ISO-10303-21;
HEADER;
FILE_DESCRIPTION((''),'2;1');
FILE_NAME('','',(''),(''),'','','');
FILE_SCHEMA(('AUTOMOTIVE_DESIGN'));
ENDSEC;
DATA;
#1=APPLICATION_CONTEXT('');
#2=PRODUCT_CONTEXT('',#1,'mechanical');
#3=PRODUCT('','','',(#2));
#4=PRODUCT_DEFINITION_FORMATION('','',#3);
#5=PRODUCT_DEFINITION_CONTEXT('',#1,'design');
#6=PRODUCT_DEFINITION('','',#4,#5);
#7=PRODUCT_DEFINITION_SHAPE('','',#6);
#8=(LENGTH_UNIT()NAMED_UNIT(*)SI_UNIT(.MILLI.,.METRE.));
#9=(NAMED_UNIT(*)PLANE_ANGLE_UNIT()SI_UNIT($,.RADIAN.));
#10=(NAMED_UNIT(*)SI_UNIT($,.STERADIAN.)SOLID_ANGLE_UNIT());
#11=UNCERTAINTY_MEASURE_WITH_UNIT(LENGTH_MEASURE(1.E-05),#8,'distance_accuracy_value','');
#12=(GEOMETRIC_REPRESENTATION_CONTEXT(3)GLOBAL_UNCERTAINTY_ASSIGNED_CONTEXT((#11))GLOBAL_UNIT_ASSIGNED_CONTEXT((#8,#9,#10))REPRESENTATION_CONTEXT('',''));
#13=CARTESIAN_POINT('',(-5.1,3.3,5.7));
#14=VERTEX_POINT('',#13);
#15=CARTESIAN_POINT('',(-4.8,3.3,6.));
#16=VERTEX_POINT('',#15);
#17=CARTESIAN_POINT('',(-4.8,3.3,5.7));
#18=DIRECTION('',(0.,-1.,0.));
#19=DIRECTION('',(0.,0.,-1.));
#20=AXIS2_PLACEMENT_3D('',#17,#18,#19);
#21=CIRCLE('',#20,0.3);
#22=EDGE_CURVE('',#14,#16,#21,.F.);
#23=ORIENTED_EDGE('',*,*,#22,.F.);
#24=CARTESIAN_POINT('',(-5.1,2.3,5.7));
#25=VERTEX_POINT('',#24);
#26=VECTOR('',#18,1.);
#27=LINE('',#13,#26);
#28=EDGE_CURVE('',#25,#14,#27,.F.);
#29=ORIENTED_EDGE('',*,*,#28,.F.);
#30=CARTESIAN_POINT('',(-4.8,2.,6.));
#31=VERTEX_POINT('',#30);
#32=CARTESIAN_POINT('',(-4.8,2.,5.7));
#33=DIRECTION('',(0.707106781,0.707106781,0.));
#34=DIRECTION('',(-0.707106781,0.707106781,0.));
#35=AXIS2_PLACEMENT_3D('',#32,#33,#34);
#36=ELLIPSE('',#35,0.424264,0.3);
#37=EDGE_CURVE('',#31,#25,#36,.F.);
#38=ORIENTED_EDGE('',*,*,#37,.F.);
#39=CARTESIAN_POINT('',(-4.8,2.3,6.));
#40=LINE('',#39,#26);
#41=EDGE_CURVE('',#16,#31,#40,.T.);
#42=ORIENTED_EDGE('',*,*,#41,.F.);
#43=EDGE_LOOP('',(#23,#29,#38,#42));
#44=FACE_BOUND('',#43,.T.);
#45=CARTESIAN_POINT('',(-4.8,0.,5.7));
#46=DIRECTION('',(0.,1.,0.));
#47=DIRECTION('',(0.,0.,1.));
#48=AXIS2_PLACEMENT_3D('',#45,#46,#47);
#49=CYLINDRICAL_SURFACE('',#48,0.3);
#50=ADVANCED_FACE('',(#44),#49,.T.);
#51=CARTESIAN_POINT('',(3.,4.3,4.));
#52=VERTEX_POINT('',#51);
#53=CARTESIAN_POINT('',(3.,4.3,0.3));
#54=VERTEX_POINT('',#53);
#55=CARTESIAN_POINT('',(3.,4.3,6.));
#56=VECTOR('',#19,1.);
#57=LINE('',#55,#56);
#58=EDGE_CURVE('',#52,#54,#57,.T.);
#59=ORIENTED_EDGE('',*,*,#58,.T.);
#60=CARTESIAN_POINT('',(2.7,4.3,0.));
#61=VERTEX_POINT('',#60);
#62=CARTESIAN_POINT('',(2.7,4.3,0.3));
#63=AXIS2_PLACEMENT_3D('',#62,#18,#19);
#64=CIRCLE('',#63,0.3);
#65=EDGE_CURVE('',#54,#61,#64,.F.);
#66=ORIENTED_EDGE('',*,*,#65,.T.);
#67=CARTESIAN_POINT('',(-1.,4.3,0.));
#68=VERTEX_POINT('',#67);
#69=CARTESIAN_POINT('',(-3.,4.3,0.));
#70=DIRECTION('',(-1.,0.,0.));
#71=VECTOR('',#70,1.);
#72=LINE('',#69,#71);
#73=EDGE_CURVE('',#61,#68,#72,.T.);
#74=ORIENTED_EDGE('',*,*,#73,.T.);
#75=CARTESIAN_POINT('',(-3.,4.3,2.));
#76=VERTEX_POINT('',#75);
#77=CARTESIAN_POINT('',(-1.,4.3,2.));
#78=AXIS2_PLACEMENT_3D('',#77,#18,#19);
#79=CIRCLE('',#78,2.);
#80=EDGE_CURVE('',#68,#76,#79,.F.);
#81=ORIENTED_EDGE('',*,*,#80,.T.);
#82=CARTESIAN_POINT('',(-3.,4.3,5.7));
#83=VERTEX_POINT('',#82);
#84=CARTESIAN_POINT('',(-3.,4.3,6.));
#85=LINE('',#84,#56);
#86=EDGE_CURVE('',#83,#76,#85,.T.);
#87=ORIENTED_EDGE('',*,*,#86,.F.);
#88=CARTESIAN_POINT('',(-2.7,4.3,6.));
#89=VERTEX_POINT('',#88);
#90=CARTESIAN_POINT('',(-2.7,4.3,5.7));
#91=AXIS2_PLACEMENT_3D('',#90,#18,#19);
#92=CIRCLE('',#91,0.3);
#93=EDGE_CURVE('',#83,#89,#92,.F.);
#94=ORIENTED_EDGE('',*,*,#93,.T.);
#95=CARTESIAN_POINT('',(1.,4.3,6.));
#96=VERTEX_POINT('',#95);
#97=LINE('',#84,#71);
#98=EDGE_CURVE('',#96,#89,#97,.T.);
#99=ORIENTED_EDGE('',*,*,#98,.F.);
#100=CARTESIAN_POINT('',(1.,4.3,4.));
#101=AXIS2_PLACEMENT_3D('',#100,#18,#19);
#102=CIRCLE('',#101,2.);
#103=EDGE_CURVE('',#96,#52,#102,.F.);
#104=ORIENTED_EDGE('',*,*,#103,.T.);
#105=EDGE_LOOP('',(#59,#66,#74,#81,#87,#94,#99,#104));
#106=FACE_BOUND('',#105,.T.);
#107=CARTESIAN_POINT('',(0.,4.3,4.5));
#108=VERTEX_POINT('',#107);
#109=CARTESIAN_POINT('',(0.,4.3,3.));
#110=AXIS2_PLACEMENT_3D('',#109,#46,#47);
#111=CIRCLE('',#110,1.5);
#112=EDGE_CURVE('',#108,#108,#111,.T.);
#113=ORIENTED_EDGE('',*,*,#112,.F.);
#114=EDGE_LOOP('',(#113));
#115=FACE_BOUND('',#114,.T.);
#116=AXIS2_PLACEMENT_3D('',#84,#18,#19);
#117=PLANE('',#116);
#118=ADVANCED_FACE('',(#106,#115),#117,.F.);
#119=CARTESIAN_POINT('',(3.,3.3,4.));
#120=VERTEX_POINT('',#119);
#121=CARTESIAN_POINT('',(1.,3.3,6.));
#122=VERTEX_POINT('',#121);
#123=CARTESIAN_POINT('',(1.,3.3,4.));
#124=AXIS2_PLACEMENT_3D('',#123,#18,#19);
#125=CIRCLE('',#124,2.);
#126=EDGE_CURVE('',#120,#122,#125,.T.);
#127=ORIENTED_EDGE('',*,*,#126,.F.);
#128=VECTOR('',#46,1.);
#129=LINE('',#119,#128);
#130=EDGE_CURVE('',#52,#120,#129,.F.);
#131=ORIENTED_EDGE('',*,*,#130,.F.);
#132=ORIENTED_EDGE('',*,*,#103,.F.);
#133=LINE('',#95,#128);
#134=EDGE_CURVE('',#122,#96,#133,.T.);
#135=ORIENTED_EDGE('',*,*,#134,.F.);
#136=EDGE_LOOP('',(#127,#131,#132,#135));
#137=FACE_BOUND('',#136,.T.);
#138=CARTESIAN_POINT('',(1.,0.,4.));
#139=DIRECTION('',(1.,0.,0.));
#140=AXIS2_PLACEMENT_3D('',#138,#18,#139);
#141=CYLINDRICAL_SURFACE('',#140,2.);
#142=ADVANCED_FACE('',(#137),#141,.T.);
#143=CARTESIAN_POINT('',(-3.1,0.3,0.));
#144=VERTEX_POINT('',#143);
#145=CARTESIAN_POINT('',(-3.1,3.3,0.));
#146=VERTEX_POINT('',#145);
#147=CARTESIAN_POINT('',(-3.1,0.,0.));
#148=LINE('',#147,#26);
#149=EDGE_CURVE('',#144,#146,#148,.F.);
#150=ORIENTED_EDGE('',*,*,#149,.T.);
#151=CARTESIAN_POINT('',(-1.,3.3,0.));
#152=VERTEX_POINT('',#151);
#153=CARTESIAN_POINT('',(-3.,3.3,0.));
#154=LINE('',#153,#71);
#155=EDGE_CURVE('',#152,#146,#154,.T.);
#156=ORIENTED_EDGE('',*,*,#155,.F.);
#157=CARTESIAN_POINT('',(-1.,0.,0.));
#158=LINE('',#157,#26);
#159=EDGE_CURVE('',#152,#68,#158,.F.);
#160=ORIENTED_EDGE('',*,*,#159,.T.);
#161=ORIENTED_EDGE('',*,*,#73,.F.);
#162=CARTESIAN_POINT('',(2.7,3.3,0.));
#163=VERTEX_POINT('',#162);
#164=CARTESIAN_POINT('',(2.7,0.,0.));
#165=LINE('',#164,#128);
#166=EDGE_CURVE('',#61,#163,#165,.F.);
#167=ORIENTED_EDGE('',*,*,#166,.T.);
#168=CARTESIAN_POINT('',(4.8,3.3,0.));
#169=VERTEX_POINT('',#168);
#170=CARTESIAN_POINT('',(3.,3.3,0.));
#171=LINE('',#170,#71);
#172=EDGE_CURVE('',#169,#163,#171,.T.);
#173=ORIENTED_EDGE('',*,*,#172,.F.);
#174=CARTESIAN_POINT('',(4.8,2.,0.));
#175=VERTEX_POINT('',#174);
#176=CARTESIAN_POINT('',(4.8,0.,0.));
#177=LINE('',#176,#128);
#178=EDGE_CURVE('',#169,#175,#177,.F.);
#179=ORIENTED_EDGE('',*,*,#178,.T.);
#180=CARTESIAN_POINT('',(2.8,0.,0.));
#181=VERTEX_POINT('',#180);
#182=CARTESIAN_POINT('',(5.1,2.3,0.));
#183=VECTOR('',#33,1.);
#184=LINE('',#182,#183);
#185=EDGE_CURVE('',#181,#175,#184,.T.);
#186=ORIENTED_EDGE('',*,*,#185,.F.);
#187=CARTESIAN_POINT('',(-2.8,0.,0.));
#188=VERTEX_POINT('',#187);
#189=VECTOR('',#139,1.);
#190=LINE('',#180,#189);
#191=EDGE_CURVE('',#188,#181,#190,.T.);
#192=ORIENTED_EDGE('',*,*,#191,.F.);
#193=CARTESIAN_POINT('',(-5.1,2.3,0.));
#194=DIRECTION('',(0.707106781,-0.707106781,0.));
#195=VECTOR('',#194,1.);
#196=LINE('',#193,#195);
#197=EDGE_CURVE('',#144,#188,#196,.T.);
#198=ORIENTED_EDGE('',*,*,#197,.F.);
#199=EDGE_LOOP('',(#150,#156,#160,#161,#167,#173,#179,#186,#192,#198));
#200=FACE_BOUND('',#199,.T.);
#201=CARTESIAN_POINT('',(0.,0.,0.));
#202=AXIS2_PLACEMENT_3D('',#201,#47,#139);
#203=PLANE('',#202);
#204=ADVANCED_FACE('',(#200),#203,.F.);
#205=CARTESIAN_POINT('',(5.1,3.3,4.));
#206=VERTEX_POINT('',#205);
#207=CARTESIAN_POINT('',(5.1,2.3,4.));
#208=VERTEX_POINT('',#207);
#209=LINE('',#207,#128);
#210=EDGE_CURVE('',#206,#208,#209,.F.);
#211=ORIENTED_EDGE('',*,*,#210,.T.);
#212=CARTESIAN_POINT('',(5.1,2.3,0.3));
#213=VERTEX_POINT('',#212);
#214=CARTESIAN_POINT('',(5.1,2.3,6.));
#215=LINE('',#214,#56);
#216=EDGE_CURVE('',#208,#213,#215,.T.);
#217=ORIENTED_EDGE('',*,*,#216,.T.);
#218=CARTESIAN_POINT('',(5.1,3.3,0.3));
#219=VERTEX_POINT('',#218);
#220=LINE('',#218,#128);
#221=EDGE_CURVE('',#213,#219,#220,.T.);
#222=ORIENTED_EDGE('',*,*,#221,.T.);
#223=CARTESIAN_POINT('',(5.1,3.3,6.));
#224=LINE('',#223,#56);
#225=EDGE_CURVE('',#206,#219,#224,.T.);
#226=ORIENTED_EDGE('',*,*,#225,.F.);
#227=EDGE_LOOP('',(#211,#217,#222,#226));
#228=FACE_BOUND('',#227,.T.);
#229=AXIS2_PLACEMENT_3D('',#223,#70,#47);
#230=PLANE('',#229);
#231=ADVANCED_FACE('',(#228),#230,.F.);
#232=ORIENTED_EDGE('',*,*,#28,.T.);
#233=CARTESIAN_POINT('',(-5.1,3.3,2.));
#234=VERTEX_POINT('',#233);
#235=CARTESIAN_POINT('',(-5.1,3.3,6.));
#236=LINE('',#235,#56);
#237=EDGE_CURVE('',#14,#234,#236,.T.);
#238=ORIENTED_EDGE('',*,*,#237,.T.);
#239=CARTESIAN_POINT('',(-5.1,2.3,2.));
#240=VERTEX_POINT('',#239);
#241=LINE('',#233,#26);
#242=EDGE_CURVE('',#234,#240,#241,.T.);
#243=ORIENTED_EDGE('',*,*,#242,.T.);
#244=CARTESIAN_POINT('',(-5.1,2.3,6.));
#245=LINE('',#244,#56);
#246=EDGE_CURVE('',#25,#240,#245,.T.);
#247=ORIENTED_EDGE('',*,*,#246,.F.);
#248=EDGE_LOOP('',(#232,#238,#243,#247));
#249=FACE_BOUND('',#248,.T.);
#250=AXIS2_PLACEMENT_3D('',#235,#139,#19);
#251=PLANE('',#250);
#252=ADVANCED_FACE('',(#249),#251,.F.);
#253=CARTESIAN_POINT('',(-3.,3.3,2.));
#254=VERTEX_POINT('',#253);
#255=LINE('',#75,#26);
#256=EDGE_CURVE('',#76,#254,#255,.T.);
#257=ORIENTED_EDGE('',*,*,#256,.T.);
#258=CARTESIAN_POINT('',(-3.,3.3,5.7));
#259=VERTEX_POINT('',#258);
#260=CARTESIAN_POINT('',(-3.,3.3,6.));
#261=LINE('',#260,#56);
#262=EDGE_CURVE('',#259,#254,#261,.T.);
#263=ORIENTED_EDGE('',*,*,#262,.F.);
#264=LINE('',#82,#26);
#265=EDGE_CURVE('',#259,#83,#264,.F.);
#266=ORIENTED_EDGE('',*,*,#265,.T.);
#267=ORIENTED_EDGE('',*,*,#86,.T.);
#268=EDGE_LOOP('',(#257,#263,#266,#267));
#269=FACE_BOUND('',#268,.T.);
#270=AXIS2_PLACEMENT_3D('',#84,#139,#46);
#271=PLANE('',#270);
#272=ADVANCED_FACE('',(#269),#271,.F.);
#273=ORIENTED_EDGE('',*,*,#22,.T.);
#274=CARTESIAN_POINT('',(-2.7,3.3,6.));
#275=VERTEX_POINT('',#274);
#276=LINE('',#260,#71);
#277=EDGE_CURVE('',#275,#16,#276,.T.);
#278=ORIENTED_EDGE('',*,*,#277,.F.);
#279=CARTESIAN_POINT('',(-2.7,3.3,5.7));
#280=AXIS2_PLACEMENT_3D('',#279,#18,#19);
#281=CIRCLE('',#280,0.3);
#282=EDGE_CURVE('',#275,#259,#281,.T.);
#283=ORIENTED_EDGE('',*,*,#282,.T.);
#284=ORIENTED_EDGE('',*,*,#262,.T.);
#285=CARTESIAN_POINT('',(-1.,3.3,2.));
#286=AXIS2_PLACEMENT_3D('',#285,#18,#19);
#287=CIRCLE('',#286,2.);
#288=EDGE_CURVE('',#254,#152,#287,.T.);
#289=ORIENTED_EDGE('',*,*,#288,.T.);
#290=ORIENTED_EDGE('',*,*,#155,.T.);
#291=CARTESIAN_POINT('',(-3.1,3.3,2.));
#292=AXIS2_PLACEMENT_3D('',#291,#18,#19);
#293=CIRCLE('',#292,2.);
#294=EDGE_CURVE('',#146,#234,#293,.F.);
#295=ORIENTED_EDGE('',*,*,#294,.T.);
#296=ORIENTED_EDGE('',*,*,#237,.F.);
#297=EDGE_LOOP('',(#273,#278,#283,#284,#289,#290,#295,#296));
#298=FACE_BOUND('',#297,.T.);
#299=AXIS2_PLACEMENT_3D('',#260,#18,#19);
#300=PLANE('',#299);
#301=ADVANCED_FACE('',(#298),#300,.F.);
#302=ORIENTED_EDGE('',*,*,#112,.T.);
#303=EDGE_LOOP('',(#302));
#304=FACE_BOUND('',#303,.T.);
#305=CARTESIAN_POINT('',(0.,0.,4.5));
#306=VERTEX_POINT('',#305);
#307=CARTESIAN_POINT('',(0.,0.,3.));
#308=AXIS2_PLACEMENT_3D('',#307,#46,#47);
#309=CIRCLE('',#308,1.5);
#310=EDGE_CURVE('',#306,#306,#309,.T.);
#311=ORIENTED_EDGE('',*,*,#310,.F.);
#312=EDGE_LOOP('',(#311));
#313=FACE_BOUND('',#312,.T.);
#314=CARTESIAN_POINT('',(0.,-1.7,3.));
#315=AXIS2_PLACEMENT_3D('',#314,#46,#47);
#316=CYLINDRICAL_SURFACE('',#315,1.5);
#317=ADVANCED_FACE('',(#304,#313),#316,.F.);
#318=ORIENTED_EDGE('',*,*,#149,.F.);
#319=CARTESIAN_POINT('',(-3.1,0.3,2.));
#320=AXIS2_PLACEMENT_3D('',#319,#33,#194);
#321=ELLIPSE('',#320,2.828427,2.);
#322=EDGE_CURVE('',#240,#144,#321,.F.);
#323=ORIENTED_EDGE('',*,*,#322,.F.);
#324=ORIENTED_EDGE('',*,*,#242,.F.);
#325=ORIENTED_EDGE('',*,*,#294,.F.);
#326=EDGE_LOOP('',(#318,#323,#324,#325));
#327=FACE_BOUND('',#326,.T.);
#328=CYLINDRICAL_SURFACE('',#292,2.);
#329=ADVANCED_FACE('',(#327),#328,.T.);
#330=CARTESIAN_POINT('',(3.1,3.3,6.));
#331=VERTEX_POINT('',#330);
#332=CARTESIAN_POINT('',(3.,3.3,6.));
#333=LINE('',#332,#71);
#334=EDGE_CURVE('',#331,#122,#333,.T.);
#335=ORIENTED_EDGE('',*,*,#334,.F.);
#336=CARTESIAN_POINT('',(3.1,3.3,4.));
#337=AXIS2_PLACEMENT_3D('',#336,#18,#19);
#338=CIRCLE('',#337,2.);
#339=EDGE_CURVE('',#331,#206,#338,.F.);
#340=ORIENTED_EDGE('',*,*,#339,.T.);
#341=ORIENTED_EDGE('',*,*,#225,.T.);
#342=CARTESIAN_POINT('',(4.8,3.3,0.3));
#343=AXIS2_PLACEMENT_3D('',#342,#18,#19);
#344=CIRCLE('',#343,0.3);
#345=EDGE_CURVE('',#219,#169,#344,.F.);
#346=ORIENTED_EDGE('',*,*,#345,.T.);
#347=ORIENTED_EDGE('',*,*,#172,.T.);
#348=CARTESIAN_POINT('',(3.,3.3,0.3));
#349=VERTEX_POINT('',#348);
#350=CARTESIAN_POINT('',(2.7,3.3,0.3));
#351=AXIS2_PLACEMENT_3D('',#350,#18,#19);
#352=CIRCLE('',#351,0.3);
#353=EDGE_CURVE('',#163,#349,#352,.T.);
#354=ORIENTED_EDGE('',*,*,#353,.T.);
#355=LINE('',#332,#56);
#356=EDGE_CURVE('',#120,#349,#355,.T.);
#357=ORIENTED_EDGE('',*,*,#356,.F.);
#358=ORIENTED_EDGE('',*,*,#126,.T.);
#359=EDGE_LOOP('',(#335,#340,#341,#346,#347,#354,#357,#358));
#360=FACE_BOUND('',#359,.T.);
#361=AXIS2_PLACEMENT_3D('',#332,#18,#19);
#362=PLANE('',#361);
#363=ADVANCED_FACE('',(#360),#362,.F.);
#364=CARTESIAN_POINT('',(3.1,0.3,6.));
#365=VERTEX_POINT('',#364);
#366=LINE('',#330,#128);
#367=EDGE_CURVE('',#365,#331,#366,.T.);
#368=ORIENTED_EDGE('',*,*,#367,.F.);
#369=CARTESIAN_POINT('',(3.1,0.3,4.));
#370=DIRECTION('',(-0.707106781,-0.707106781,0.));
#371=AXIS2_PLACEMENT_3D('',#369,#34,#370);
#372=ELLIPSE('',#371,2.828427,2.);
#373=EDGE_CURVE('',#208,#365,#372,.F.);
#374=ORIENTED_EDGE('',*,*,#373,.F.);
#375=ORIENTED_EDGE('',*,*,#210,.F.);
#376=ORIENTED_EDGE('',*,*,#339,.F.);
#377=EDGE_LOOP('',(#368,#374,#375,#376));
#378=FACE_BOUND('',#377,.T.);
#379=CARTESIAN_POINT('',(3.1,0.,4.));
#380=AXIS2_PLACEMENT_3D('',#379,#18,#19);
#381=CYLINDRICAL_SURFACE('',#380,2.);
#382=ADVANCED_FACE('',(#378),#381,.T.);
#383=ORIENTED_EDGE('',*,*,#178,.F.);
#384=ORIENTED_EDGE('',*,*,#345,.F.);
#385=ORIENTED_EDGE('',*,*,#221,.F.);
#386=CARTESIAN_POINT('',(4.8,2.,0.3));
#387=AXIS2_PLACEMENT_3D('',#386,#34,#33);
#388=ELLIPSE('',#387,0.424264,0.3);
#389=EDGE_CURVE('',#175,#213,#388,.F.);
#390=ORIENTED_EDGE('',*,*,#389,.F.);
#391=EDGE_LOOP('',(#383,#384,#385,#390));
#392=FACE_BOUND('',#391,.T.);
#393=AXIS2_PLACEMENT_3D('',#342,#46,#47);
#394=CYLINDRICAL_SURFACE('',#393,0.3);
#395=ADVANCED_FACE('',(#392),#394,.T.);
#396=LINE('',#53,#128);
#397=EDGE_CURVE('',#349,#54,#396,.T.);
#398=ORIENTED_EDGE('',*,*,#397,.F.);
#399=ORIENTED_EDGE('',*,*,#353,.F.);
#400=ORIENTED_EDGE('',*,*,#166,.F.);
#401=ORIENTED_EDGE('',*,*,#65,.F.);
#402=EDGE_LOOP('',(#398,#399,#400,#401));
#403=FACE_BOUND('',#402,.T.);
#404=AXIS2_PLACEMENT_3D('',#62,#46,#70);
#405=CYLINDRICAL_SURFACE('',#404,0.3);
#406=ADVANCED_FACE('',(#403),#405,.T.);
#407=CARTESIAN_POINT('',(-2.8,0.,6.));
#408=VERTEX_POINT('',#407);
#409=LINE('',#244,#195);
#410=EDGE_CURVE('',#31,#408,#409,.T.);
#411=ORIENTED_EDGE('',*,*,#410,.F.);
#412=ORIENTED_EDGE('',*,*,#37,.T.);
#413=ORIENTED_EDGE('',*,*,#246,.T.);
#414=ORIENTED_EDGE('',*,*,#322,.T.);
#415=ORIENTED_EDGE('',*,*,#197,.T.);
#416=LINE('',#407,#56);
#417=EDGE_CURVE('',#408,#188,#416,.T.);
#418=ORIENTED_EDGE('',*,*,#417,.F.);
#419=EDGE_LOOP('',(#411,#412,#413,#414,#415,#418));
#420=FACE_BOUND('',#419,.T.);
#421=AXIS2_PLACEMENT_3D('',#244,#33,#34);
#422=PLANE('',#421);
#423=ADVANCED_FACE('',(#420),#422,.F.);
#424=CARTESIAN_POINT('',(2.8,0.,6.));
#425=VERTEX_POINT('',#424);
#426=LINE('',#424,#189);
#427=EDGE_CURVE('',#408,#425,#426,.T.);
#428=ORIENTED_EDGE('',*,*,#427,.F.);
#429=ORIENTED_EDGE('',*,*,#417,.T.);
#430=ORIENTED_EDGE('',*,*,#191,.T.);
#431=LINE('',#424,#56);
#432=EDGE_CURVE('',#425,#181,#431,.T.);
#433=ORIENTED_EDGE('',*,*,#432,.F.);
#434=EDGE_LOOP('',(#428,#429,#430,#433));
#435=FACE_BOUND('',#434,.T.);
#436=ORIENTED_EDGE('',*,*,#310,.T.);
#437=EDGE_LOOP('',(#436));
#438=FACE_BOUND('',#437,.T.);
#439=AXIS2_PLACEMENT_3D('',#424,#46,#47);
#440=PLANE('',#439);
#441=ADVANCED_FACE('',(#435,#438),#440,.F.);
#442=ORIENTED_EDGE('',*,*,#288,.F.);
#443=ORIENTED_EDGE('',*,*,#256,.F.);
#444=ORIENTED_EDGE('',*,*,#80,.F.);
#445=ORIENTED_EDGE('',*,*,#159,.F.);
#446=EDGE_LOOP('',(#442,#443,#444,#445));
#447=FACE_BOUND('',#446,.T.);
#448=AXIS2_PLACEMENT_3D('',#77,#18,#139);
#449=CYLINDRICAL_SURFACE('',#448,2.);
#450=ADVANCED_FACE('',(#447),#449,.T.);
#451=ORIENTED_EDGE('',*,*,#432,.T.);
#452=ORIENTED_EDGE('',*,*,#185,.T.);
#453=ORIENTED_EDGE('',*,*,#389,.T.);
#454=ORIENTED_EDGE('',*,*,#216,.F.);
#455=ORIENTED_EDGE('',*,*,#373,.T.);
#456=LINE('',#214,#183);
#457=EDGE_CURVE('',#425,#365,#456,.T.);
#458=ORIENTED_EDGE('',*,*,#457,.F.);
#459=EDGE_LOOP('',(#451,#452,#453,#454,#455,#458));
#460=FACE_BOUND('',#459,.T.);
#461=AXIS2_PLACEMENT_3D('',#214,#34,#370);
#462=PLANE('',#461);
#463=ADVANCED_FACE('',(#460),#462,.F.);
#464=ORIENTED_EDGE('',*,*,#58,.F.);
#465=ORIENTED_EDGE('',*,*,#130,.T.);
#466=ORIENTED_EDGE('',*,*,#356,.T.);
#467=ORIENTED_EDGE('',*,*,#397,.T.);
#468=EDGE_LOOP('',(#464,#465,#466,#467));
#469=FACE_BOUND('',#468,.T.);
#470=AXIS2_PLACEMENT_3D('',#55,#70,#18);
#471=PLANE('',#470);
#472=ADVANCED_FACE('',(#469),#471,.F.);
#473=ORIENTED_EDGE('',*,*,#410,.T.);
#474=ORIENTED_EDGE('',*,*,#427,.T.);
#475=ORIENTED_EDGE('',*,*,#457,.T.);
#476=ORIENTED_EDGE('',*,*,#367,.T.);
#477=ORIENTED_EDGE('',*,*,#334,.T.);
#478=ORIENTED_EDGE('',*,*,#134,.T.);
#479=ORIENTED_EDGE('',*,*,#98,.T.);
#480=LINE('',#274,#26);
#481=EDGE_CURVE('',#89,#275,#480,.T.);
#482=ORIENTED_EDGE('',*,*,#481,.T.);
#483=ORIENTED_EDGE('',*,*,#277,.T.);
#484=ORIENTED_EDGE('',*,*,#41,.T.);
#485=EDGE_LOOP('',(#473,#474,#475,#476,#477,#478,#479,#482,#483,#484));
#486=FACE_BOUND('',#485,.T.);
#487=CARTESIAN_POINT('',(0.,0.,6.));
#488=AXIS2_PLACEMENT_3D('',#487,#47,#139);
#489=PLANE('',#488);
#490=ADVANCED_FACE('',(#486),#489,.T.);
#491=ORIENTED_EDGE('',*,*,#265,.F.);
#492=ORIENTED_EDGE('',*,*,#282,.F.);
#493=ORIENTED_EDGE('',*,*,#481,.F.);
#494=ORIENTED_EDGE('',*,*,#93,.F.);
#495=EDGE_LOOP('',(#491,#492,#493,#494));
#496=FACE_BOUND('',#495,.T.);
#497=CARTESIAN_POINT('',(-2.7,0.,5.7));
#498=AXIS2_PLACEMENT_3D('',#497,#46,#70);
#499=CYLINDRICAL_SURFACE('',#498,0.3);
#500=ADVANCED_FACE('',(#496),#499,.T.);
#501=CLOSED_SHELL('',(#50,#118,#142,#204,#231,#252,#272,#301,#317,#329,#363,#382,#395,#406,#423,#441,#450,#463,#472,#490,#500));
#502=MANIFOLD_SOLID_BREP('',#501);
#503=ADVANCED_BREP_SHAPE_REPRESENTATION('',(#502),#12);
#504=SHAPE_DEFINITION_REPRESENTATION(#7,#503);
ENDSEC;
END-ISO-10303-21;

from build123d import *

# Parameters (mm, degrees)
EXTRUDE_1_DEPTH     = 6
FILLET_1_R          = 2
FILLET_2_R          = 2
FILLET_3_R          = 0.3
SKETCH_2_R          = 1.5
CUT_EXTRUDE_1_DEPTH = 6


with BuildPart() as part:
    # 草图1 → 凸台-拉伸1 (new body)
    with BuildSketch(Plane.XY):
        Polygon((-3, 4.3), (3, 4.3), (3, 3.3), (5.1, 3.3), (5.1, 2.3), (2.8, 0), (-2.8, 0), (-5.1, 2.3), (-5.1, 3.3), (-3, 3.3), align=None)
    extrude(amount=EXTRUDE_1_DEPTH)

    # 圆角1
    fillet_1_edges = [part.edges().sort_by_distance(p)[0] for p in [
        (-3, 3.8, 0),
        (3, 3.8, 6),
    ]]
    fillet(fillet_1_edges, radius=FILLET_1_R)

    # 圆角2
    fillet_2_edges = [part.edges().sort_by_distance(p)[0] for p in [
        (-5.1, 2.8, 0),
        (5.1, 2.8, 6),
    ]]
    fillet(fillet_2_edges, radius=FILLET_2_R)

    # 圆角3
    fillet_3_edges = [part.edges().sort_by_distance(p)[0] for p in [
        (-3, 3.8, 6),
        (3, 3.8, 0),
        (-5.1, 2.8, 6),
        (5.1, 2.8, 0),
    ]]
    fillet(fillet_3_edges, radius=FILLET_3_R)

    # 草图2 → 切除-拉伸1 (cut)
    with BuildSketch(Plane(origin=(0, 4.3, 0), x_dir=(1, 0, 0), z_dir=(0, 1, 0))):
        with Locations((0, -3)):
            Circle(SKETCH_2_R)
    extrude(amount=-CUT_EXTRUDE_1_DEPTH, mode=Mode.SUBTRACT)


solid = part.part
